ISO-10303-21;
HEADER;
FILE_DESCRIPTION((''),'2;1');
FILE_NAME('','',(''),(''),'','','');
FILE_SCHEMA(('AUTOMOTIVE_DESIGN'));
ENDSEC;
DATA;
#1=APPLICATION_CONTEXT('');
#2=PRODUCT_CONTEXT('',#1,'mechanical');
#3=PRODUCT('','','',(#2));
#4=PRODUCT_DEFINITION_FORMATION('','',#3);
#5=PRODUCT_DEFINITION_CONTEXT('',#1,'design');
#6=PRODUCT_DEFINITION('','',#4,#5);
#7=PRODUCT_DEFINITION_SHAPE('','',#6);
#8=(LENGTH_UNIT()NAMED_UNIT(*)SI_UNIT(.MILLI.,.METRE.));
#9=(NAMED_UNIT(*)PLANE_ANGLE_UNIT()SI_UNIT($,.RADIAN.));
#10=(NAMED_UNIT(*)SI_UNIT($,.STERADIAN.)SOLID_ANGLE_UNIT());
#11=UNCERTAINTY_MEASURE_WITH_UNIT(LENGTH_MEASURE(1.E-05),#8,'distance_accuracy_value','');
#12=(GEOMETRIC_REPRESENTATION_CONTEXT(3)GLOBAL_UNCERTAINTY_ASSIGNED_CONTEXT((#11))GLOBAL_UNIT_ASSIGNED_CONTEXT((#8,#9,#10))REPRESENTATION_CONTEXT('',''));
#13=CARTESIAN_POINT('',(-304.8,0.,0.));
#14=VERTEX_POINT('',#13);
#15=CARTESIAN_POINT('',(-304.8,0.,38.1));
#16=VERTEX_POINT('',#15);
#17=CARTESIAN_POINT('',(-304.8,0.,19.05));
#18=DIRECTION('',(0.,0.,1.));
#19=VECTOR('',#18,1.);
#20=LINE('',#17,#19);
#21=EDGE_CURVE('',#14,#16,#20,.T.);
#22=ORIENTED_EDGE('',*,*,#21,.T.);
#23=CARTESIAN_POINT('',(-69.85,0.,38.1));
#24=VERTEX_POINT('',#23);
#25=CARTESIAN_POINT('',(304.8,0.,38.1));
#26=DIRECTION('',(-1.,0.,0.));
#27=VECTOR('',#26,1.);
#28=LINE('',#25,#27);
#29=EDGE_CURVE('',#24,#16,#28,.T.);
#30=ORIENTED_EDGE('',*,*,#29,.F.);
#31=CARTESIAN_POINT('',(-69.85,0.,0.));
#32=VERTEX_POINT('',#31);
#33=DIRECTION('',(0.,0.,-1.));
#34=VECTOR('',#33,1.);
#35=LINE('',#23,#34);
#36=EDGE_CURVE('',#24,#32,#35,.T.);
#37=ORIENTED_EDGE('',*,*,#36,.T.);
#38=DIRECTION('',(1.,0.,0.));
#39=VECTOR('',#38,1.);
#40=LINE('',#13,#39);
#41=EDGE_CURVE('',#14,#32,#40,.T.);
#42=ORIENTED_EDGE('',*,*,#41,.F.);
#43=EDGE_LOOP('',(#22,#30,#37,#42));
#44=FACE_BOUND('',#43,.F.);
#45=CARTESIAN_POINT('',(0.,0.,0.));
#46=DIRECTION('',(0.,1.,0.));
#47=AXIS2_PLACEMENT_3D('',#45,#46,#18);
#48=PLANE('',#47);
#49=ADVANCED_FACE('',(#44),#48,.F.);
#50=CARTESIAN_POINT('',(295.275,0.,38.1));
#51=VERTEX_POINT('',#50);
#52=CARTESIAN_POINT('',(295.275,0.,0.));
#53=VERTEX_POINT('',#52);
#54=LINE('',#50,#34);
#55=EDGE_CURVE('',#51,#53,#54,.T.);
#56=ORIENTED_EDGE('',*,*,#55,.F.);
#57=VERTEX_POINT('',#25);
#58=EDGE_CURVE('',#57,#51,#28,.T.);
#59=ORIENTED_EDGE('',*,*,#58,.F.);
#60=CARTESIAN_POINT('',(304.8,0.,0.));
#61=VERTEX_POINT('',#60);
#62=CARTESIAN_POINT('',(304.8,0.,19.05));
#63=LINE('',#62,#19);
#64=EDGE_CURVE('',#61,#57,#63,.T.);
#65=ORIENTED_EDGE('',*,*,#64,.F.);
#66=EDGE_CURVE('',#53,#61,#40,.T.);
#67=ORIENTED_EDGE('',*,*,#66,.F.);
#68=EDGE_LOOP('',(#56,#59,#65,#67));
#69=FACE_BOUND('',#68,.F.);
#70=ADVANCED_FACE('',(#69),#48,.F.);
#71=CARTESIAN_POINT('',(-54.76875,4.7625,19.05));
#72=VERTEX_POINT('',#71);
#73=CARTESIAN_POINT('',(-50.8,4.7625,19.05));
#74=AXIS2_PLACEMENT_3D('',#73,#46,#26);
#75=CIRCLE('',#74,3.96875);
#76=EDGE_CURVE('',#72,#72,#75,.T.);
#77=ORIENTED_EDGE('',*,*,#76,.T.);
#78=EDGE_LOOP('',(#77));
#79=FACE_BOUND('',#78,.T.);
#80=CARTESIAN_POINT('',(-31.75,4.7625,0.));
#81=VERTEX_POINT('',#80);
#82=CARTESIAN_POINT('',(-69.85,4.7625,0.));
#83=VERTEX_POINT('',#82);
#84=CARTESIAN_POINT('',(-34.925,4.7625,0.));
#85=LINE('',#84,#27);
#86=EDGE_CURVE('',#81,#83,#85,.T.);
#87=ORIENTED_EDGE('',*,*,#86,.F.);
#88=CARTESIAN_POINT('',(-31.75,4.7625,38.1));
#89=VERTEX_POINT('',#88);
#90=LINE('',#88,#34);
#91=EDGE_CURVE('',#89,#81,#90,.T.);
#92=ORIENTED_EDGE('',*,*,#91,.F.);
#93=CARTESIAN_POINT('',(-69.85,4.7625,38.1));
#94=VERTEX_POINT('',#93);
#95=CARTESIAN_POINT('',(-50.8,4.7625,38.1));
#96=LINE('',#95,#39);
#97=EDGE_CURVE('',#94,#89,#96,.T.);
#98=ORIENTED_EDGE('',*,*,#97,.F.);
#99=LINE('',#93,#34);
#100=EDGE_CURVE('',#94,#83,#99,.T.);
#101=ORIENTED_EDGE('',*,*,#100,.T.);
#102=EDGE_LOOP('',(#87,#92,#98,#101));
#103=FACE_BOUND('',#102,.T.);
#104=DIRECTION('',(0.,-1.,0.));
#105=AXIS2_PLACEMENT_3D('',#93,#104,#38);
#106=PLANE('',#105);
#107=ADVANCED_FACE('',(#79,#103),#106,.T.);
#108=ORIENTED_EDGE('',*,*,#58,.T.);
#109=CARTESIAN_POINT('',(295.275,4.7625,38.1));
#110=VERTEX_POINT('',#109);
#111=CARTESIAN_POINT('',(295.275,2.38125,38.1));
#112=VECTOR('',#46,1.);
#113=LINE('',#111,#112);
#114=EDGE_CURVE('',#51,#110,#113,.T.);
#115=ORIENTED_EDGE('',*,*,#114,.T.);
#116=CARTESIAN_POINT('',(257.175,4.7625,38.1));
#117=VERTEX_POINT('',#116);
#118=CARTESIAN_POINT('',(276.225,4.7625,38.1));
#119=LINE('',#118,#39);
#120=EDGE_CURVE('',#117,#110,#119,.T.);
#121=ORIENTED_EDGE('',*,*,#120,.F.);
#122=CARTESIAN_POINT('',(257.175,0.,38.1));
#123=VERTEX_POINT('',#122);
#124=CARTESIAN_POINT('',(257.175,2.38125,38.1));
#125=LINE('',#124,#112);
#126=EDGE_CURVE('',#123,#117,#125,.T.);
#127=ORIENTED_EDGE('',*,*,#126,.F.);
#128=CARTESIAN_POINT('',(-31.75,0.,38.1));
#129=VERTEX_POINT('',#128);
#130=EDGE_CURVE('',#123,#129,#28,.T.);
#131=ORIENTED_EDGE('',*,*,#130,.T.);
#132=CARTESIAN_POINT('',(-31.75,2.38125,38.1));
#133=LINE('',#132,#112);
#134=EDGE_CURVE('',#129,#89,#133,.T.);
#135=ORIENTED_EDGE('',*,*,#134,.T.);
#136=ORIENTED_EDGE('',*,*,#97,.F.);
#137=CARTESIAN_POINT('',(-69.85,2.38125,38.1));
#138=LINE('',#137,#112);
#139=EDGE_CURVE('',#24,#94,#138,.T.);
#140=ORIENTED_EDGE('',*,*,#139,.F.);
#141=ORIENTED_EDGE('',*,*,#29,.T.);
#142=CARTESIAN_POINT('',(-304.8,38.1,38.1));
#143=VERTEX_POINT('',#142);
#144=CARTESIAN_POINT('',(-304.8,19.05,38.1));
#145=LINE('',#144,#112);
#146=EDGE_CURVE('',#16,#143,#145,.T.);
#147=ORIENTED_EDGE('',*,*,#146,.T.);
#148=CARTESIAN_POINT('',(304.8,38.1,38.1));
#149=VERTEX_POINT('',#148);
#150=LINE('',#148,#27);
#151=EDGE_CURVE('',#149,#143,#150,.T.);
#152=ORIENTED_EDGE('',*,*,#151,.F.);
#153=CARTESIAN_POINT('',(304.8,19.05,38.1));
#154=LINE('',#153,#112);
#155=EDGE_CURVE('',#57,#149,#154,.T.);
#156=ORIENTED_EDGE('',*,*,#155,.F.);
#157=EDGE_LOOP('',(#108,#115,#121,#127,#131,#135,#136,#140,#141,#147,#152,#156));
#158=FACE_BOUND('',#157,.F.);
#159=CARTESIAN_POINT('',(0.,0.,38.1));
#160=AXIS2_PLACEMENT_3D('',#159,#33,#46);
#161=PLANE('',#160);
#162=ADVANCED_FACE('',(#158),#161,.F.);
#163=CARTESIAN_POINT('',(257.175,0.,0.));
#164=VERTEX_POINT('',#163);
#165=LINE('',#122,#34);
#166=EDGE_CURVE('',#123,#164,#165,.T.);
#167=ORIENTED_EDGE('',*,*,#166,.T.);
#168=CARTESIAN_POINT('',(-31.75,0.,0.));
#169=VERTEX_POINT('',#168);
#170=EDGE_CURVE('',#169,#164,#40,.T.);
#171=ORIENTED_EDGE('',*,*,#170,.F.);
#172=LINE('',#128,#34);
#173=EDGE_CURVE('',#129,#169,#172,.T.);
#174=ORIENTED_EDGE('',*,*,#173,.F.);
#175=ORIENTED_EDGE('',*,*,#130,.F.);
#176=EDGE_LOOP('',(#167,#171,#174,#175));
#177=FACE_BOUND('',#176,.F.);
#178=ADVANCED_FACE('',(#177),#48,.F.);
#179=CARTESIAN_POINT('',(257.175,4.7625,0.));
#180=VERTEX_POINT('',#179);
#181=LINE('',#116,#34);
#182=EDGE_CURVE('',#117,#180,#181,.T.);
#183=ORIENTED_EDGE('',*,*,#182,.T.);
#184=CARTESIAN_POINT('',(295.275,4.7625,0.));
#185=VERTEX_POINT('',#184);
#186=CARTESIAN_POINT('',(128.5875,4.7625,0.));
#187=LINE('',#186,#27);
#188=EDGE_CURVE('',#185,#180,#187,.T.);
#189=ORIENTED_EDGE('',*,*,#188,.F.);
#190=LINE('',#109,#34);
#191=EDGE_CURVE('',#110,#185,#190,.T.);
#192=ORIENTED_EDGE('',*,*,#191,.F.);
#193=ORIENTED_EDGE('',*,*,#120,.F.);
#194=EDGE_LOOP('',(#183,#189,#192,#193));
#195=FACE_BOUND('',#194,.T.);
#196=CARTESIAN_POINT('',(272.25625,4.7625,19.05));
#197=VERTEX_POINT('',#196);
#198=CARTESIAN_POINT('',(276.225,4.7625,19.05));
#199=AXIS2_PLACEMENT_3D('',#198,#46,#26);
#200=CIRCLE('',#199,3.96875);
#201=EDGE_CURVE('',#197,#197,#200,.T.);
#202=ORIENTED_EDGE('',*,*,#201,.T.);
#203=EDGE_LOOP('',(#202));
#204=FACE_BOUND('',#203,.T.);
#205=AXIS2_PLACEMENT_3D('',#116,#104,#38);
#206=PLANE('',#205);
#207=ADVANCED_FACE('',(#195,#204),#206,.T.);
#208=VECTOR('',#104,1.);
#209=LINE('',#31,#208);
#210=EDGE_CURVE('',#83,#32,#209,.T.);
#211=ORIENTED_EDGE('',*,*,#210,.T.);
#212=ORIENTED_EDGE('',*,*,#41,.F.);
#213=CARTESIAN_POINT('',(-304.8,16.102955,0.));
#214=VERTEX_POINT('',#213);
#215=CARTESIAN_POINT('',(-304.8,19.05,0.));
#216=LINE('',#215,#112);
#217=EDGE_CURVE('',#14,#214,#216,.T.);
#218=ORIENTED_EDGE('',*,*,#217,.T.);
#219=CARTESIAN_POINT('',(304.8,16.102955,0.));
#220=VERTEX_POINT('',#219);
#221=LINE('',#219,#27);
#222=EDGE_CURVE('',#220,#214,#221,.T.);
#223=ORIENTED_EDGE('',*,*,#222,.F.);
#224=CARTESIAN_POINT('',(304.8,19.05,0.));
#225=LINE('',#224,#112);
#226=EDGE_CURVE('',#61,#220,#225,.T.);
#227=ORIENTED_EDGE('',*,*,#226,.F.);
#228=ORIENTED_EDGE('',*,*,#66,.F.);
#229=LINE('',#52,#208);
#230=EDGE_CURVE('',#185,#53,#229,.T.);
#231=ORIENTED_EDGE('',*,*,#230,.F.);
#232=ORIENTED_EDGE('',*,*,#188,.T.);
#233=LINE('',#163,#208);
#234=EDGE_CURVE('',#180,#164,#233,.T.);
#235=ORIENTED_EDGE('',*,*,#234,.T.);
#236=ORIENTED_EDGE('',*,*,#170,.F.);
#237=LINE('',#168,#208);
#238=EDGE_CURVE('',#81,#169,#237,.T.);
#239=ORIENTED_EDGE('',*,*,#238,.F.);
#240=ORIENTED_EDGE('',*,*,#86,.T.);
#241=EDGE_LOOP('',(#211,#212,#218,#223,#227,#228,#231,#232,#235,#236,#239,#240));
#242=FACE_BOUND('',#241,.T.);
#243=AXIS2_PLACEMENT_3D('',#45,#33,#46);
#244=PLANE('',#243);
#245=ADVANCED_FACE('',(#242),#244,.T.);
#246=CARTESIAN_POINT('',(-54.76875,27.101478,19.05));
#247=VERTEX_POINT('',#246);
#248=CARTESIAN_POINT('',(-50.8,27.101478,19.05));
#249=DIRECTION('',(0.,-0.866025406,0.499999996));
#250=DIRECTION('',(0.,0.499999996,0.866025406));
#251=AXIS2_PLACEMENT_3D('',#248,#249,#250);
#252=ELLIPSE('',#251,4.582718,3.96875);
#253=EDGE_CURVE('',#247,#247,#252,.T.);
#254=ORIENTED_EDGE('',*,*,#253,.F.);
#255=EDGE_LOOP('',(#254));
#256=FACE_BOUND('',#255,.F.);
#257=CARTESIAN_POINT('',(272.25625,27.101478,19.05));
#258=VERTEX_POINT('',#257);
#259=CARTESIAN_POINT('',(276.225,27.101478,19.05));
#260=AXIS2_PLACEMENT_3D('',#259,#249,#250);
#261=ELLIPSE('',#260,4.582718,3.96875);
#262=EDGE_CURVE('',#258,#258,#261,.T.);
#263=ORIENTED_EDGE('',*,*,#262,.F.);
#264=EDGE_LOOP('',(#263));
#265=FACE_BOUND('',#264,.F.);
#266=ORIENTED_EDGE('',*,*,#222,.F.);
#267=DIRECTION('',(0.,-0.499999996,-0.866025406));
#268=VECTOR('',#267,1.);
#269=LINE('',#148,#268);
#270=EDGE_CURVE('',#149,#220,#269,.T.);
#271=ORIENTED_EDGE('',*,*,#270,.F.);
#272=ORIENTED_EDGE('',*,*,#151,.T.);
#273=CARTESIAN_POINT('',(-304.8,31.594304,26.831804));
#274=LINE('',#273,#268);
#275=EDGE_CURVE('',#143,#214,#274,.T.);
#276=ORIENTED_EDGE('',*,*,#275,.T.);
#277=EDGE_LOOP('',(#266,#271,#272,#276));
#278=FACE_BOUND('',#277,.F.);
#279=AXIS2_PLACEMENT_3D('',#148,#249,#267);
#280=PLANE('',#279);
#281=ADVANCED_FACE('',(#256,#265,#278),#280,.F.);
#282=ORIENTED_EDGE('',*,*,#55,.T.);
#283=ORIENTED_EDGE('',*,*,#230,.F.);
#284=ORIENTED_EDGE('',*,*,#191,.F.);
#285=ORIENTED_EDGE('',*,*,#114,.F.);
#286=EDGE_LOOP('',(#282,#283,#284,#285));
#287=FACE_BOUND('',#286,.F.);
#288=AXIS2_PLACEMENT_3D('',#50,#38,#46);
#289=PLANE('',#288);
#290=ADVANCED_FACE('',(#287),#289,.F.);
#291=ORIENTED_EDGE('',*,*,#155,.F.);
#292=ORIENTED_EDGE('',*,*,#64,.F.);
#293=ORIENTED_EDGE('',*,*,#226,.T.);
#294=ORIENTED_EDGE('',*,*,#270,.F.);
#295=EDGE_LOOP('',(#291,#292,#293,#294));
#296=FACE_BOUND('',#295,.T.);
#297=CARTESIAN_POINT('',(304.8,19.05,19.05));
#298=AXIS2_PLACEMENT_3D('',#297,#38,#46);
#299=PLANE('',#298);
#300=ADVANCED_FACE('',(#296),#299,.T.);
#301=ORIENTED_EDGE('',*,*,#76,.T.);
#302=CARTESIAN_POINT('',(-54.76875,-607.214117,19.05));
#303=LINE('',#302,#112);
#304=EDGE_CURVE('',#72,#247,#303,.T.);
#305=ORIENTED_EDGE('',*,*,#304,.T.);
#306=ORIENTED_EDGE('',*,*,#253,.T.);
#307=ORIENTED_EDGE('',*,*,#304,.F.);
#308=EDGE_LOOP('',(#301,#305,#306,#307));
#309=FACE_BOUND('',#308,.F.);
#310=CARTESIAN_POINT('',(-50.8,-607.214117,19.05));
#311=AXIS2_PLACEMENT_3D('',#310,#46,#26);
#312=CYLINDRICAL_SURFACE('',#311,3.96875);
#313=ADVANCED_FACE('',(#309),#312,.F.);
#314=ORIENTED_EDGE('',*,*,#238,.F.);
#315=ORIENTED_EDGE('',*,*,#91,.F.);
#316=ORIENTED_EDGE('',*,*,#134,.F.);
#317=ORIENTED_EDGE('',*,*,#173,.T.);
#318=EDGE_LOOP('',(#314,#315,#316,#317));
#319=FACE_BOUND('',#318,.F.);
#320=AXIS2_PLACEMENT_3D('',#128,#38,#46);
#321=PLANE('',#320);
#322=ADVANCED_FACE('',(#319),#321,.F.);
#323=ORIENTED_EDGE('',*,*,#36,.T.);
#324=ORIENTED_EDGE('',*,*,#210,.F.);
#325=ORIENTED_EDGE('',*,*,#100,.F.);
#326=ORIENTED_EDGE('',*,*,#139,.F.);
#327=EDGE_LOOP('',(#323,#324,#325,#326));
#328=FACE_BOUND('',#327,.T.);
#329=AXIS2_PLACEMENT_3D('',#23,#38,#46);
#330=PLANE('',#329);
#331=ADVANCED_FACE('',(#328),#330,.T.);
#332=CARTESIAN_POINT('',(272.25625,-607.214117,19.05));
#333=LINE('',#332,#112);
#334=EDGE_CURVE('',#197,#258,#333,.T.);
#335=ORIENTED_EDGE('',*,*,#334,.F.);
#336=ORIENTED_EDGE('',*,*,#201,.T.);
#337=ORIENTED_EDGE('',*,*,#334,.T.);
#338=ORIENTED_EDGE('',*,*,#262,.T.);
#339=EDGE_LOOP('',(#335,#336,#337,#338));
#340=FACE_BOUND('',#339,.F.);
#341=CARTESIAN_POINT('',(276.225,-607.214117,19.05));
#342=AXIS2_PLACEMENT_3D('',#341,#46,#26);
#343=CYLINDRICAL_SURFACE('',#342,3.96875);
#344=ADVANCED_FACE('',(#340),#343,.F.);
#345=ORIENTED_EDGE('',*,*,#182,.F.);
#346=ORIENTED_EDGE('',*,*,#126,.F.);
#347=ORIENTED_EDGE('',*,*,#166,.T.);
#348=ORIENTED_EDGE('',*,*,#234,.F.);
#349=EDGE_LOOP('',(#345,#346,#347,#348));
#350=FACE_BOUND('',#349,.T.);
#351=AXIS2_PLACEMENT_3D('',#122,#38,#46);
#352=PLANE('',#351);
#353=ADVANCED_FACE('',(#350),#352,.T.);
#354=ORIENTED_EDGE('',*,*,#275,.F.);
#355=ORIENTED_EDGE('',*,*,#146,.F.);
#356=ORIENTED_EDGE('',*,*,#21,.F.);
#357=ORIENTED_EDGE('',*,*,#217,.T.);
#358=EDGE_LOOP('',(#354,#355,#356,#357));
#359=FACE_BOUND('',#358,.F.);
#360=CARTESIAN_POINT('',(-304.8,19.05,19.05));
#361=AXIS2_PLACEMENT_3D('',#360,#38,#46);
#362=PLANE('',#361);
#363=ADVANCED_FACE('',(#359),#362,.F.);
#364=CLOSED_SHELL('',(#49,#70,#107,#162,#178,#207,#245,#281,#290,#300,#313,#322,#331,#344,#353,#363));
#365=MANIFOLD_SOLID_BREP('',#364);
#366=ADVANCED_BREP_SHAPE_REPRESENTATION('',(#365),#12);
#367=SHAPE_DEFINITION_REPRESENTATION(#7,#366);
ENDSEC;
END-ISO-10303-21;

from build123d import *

# Parameters (mm, degrees)
F0_W          = 38.1
F0_H          = 38.1
F1_DEPTH      = 304.8
F1_DEPTH_BACK = 304.8
F2_W          = 38.1
F2_H          = 4.7625
F3_DEPTH      = 38.101
F5_D          = 7.9375
F7_DEPTH      = 609.601


with BuildPart() as f1:
    # F0 (on Right) → F1 (new body, two sides)
    with BuildSketch(Plane.YZ) as f1_sk:
        with Locations((19.05, 19.05)):
            Rectangle(F0_W, F0_H)
    extrude(amount=F1_DEPTH)
    extrude(f1_sk.sketch, amount=-F1_DEPTH_BACK)

    # F2 (on face) → F3 (cut, through all)
    with BuildSketch(Plane.XY.offset(38.1)):
        with Locations((-50.8, 2.38125)):
            Rectangle(F2_W, F2_H)
        with Locations((276.225, 2.38125)):
            Rectangle(F2_W, F2_H)
    extrude(amount=-F3_DEPTH, mode=Mode.SUBTRACT)

    # F5 (through all)
    with Locations(Plane.XZ.offset(-4.7625)):
        with Locations((-50.8, 19.05), (276.225, 19.05)):
            Hole(F5_D / 2)

    # F6 (on face) → F7 (cut, through all)
    with BuildSketch(Plane.YZ.offset(304.8)):
        Polygon((38.1, 0), (38.1, 38.1), (16.102955, 0), align=None)
    extrude(amount=-F7_DEPTH, mode=Mode.SUBTRACT)


solid = f1.part
